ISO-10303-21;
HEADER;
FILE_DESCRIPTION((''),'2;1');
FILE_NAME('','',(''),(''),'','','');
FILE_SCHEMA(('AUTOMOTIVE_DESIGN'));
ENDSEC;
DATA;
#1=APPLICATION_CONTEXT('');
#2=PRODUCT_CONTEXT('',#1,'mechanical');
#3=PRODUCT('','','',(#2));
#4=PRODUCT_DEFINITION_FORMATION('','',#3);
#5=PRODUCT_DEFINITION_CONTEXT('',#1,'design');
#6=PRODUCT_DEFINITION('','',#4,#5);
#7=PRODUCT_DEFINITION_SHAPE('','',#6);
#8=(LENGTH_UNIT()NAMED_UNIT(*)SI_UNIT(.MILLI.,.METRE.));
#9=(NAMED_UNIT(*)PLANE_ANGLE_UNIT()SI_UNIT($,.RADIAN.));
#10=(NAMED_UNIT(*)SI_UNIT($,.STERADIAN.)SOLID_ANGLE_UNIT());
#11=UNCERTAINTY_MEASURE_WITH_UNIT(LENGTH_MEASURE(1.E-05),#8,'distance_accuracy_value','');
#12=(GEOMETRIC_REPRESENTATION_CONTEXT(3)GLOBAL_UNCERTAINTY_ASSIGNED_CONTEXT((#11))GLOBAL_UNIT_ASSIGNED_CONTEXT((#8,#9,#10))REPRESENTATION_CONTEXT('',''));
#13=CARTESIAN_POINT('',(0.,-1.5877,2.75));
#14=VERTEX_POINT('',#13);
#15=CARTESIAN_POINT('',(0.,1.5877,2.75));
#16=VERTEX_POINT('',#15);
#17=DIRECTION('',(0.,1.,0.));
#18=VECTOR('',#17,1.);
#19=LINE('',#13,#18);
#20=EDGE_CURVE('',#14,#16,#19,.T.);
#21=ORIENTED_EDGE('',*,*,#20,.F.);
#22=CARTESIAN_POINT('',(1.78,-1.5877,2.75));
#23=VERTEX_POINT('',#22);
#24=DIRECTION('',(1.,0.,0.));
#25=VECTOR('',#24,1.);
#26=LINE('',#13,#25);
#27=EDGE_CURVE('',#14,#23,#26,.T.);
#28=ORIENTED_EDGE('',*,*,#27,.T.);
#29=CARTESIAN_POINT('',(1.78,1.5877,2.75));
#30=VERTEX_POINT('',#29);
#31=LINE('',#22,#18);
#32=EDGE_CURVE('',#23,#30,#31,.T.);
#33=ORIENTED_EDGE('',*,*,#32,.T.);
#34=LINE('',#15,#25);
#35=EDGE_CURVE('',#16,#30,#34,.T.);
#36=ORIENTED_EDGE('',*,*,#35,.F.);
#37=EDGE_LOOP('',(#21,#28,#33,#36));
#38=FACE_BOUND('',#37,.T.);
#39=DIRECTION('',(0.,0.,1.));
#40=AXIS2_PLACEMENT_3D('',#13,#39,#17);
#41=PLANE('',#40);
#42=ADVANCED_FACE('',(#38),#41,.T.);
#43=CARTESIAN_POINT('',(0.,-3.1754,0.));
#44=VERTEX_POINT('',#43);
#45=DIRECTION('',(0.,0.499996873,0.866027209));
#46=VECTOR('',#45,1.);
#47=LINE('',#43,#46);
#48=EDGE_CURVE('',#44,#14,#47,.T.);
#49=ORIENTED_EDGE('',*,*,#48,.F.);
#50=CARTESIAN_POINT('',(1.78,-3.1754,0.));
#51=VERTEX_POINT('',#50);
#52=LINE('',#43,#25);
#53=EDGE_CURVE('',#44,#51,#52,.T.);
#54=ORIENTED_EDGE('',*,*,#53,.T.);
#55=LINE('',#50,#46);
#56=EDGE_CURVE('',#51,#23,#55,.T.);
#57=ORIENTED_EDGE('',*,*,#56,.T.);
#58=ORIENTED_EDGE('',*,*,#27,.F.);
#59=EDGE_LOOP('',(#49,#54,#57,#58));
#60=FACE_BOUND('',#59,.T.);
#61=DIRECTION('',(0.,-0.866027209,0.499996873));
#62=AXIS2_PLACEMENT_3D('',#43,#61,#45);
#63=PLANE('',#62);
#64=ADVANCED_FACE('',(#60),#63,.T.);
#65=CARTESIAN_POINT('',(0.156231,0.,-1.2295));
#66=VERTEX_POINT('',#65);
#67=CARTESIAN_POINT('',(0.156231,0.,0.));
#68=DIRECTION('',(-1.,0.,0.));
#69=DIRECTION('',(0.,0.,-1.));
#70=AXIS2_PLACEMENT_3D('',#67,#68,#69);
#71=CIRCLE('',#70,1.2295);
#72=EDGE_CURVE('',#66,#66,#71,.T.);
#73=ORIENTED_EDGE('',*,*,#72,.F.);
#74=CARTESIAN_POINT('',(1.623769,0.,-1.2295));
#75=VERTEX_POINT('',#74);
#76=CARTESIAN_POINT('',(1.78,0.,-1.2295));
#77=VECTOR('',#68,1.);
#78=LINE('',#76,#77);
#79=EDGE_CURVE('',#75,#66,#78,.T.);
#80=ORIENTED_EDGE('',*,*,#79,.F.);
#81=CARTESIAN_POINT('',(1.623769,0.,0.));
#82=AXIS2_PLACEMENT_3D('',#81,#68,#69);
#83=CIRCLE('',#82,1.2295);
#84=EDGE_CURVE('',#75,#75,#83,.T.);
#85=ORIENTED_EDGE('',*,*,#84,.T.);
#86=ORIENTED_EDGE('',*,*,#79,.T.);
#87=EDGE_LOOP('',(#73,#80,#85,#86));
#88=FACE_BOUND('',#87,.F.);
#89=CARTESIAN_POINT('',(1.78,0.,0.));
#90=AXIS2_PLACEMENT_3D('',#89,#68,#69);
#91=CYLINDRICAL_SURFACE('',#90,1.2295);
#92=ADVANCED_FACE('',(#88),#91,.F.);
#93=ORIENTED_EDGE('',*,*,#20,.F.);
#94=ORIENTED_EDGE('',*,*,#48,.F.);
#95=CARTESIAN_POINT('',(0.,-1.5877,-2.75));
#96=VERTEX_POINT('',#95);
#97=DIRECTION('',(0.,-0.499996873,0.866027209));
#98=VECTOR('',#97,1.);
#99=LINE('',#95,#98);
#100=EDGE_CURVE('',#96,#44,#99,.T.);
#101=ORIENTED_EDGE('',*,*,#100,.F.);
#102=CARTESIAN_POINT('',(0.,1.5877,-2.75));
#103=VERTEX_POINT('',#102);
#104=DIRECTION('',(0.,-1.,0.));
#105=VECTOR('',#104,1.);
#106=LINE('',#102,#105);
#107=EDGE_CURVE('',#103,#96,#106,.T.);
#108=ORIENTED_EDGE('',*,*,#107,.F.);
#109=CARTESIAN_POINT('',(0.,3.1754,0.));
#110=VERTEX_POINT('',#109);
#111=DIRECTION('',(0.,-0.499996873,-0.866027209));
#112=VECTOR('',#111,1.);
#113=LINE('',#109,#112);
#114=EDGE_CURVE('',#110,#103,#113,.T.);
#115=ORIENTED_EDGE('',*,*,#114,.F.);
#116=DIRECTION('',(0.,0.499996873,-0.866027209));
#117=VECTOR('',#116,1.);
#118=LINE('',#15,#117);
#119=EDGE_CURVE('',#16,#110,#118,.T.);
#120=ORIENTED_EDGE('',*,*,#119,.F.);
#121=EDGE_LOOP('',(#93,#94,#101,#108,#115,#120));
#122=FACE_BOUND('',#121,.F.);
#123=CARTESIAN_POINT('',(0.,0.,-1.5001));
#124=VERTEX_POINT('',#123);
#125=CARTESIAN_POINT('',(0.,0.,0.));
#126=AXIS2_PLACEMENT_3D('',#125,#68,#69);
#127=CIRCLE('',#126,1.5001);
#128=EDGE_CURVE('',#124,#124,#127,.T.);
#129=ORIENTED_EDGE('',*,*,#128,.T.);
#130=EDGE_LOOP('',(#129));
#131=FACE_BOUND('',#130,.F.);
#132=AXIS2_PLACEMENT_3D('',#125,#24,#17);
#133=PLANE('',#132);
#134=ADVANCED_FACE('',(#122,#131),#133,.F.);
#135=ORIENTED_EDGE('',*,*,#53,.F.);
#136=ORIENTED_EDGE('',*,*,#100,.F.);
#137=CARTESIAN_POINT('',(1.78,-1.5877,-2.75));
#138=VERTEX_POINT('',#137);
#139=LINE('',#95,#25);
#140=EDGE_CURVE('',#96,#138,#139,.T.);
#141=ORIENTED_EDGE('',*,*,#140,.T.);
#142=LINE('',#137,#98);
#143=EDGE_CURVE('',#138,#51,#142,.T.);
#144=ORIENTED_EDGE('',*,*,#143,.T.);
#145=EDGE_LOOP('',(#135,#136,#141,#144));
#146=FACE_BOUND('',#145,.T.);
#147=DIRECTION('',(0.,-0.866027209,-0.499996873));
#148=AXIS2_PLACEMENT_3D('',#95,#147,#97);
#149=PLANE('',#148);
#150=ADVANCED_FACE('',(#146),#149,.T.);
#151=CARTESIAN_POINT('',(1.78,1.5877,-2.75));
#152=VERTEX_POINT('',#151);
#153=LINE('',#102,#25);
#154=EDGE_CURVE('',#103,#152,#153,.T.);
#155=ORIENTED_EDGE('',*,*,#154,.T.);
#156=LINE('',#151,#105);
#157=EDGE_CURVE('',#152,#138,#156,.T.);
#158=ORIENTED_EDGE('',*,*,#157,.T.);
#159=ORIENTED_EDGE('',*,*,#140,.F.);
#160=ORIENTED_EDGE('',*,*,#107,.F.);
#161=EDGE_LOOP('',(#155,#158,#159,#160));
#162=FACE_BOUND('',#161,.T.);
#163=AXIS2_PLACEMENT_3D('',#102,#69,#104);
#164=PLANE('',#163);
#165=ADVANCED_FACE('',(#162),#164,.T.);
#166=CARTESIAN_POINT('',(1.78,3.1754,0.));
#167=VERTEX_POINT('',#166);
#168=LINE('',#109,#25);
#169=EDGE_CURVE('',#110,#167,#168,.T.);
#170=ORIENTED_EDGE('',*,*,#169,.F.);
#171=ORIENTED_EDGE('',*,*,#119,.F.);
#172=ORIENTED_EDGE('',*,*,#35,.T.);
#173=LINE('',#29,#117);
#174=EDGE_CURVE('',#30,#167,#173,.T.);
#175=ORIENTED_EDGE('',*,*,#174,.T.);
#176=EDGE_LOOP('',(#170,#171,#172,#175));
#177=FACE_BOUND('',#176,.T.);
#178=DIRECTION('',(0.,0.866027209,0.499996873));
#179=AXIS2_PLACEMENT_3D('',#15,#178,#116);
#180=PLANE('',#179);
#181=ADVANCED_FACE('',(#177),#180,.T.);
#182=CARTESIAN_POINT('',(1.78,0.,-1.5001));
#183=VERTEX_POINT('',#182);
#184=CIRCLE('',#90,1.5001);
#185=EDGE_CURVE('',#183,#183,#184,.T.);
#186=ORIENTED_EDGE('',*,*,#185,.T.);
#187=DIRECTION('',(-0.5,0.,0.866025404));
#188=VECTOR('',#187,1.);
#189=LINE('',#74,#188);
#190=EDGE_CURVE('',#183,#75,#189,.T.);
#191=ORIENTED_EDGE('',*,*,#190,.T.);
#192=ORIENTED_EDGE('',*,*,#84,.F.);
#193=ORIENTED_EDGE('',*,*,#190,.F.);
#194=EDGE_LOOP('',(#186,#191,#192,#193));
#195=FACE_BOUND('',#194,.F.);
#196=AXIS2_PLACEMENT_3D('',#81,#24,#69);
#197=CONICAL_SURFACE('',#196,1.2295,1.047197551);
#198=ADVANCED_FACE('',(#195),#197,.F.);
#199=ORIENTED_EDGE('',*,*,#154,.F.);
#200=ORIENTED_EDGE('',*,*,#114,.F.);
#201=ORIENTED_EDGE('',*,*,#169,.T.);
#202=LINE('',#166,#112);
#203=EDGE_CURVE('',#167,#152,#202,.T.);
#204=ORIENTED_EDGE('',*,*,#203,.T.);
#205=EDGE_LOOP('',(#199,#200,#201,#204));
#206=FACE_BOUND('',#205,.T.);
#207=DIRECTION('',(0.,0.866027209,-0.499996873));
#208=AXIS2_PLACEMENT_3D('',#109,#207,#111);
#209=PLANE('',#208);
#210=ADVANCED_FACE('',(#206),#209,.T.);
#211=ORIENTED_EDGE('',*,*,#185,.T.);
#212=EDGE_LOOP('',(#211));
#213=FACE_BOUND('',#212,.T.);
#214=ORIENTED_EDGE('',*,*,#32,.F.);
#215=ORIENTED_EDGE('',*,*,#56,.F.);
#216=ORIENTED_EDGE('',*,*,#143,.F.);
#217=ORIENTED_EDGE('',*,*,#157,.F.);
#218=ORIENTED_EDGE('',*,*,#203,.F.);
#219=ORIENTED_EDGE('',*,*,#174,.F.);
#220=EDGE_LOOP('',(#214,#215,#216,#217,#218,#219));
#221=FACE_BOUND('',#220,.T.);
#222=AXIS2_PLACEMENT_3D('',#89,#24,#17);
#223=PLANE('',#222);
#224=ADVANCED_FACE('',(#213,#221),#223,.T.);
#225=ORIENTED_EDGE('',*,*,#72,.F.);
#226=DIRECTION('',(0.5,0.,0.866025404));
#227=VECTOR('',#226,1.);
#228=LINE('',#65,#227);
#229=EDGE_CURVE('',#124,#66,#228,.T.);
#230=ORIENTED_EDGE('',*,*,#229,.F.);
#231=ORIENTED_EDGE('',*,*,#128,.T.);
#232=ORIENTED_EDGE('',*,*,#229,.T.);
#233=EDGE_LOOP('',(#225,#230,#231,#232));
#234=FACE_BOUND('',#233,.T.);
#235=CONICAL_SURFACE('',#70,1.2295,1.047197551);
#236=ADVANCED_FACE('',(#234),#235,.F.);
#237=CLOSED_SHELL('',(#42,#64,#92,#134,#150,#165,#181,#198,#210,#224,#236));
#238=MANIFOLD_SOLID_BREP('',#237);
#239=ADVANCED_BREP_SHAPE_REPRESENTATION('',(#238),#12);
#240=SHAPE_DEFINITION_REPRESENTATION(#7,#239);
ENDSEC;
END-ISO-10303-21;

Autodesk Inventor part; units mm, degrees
ref_plane "YZ Plane" through (0, 0, 0) normal (1, 0, 0) x (0, 1, 0)
ref_plane "XZ Plane" through (0, 0, 0) normal (0, 1, 0) x (-1, 0, 0)
sketch "Sketch1" plane through (0, 0, 0) normal (1, 0, 0) x (0, 1, 0)
  line L0 (1.5877, -2.75) -> (-1.5877, -2.75)
  line L1 (-1.5877, -2.75) -> (-3.1754, 0)
  line L2 (-3.1754, 0) -> (-1.5877, 2.75)
  line L3 (-1.5877, 2.75) -> (1.5877, 2.75)
  line L4 (1.5877, 2.75) -> (3.1754, 0)
  line L5 (3.1754, 0) -> (1.5877, -2.75)
  point P0 (0, 0)
  point P1 (0, 0)
  dimension "d0" = 6.3509
extrude "Body" add sketch "Sketch1" along normal blind 1.78
sketch "Sketch2" plane through (1.78, 0, 0) normal (1, 0, 0) x (0, 0, -1)
  point P0 (0, 0)
hole "Thread" at (1.78, 0, 0) direction (-1, 0, 0) diameter 2.459 end through all thread size "M3x0.5" class "6H" standard "ISO Metric profile"
chamfer "Chamfer2" distance 0.2706 angle 30 1 edges at (1.78, 0, 1.2295) measured on face at (1.78, -1.925, -1.1495)
chamfer "Chamfer1" distance 0.2706 angle 30 1 edges at (0, 0, 1.2295) measured on face at (0, -1.925, -1.1495)
ref_plane "Work Plane1" through (-6.8079, 0, 0) normal (0, 0, -1) x (1, 0, 0)
equation "\"d0\" = 1.1547 * SW"
equation "\"d1\" = KOH"
equation "\"d12\" = -0.5 * GD1 + 0.5 * NND"
equation "\"d19\" = -0.5 * GD1 + 0.5 * NND"
equation "\"d10\" = -0.5 * GD1 + 0.5 * NND"
equation "\"d18\" = -0.5 * GD1 + 0.5 * NND"
equation "\"NND\" = 3"
equation "\"KOH\" = 1.78"
equation "\"SW\" = 5.5"
equation "\"GUL\" = 0.541266 * PTC"
equation "\"THREADDIA\" = 3"
equation "\"TOA\" = 30deg"
equation "\"PTC\" = 0.5"
equation "\"E0\" = 1.155 * SW"
equation "\"GAL\" = 0.541266 * PTC"
equation "\"GD1\" = 2.458734"
properties part number "AS 1474 - M3" material "Steel, Mild"
